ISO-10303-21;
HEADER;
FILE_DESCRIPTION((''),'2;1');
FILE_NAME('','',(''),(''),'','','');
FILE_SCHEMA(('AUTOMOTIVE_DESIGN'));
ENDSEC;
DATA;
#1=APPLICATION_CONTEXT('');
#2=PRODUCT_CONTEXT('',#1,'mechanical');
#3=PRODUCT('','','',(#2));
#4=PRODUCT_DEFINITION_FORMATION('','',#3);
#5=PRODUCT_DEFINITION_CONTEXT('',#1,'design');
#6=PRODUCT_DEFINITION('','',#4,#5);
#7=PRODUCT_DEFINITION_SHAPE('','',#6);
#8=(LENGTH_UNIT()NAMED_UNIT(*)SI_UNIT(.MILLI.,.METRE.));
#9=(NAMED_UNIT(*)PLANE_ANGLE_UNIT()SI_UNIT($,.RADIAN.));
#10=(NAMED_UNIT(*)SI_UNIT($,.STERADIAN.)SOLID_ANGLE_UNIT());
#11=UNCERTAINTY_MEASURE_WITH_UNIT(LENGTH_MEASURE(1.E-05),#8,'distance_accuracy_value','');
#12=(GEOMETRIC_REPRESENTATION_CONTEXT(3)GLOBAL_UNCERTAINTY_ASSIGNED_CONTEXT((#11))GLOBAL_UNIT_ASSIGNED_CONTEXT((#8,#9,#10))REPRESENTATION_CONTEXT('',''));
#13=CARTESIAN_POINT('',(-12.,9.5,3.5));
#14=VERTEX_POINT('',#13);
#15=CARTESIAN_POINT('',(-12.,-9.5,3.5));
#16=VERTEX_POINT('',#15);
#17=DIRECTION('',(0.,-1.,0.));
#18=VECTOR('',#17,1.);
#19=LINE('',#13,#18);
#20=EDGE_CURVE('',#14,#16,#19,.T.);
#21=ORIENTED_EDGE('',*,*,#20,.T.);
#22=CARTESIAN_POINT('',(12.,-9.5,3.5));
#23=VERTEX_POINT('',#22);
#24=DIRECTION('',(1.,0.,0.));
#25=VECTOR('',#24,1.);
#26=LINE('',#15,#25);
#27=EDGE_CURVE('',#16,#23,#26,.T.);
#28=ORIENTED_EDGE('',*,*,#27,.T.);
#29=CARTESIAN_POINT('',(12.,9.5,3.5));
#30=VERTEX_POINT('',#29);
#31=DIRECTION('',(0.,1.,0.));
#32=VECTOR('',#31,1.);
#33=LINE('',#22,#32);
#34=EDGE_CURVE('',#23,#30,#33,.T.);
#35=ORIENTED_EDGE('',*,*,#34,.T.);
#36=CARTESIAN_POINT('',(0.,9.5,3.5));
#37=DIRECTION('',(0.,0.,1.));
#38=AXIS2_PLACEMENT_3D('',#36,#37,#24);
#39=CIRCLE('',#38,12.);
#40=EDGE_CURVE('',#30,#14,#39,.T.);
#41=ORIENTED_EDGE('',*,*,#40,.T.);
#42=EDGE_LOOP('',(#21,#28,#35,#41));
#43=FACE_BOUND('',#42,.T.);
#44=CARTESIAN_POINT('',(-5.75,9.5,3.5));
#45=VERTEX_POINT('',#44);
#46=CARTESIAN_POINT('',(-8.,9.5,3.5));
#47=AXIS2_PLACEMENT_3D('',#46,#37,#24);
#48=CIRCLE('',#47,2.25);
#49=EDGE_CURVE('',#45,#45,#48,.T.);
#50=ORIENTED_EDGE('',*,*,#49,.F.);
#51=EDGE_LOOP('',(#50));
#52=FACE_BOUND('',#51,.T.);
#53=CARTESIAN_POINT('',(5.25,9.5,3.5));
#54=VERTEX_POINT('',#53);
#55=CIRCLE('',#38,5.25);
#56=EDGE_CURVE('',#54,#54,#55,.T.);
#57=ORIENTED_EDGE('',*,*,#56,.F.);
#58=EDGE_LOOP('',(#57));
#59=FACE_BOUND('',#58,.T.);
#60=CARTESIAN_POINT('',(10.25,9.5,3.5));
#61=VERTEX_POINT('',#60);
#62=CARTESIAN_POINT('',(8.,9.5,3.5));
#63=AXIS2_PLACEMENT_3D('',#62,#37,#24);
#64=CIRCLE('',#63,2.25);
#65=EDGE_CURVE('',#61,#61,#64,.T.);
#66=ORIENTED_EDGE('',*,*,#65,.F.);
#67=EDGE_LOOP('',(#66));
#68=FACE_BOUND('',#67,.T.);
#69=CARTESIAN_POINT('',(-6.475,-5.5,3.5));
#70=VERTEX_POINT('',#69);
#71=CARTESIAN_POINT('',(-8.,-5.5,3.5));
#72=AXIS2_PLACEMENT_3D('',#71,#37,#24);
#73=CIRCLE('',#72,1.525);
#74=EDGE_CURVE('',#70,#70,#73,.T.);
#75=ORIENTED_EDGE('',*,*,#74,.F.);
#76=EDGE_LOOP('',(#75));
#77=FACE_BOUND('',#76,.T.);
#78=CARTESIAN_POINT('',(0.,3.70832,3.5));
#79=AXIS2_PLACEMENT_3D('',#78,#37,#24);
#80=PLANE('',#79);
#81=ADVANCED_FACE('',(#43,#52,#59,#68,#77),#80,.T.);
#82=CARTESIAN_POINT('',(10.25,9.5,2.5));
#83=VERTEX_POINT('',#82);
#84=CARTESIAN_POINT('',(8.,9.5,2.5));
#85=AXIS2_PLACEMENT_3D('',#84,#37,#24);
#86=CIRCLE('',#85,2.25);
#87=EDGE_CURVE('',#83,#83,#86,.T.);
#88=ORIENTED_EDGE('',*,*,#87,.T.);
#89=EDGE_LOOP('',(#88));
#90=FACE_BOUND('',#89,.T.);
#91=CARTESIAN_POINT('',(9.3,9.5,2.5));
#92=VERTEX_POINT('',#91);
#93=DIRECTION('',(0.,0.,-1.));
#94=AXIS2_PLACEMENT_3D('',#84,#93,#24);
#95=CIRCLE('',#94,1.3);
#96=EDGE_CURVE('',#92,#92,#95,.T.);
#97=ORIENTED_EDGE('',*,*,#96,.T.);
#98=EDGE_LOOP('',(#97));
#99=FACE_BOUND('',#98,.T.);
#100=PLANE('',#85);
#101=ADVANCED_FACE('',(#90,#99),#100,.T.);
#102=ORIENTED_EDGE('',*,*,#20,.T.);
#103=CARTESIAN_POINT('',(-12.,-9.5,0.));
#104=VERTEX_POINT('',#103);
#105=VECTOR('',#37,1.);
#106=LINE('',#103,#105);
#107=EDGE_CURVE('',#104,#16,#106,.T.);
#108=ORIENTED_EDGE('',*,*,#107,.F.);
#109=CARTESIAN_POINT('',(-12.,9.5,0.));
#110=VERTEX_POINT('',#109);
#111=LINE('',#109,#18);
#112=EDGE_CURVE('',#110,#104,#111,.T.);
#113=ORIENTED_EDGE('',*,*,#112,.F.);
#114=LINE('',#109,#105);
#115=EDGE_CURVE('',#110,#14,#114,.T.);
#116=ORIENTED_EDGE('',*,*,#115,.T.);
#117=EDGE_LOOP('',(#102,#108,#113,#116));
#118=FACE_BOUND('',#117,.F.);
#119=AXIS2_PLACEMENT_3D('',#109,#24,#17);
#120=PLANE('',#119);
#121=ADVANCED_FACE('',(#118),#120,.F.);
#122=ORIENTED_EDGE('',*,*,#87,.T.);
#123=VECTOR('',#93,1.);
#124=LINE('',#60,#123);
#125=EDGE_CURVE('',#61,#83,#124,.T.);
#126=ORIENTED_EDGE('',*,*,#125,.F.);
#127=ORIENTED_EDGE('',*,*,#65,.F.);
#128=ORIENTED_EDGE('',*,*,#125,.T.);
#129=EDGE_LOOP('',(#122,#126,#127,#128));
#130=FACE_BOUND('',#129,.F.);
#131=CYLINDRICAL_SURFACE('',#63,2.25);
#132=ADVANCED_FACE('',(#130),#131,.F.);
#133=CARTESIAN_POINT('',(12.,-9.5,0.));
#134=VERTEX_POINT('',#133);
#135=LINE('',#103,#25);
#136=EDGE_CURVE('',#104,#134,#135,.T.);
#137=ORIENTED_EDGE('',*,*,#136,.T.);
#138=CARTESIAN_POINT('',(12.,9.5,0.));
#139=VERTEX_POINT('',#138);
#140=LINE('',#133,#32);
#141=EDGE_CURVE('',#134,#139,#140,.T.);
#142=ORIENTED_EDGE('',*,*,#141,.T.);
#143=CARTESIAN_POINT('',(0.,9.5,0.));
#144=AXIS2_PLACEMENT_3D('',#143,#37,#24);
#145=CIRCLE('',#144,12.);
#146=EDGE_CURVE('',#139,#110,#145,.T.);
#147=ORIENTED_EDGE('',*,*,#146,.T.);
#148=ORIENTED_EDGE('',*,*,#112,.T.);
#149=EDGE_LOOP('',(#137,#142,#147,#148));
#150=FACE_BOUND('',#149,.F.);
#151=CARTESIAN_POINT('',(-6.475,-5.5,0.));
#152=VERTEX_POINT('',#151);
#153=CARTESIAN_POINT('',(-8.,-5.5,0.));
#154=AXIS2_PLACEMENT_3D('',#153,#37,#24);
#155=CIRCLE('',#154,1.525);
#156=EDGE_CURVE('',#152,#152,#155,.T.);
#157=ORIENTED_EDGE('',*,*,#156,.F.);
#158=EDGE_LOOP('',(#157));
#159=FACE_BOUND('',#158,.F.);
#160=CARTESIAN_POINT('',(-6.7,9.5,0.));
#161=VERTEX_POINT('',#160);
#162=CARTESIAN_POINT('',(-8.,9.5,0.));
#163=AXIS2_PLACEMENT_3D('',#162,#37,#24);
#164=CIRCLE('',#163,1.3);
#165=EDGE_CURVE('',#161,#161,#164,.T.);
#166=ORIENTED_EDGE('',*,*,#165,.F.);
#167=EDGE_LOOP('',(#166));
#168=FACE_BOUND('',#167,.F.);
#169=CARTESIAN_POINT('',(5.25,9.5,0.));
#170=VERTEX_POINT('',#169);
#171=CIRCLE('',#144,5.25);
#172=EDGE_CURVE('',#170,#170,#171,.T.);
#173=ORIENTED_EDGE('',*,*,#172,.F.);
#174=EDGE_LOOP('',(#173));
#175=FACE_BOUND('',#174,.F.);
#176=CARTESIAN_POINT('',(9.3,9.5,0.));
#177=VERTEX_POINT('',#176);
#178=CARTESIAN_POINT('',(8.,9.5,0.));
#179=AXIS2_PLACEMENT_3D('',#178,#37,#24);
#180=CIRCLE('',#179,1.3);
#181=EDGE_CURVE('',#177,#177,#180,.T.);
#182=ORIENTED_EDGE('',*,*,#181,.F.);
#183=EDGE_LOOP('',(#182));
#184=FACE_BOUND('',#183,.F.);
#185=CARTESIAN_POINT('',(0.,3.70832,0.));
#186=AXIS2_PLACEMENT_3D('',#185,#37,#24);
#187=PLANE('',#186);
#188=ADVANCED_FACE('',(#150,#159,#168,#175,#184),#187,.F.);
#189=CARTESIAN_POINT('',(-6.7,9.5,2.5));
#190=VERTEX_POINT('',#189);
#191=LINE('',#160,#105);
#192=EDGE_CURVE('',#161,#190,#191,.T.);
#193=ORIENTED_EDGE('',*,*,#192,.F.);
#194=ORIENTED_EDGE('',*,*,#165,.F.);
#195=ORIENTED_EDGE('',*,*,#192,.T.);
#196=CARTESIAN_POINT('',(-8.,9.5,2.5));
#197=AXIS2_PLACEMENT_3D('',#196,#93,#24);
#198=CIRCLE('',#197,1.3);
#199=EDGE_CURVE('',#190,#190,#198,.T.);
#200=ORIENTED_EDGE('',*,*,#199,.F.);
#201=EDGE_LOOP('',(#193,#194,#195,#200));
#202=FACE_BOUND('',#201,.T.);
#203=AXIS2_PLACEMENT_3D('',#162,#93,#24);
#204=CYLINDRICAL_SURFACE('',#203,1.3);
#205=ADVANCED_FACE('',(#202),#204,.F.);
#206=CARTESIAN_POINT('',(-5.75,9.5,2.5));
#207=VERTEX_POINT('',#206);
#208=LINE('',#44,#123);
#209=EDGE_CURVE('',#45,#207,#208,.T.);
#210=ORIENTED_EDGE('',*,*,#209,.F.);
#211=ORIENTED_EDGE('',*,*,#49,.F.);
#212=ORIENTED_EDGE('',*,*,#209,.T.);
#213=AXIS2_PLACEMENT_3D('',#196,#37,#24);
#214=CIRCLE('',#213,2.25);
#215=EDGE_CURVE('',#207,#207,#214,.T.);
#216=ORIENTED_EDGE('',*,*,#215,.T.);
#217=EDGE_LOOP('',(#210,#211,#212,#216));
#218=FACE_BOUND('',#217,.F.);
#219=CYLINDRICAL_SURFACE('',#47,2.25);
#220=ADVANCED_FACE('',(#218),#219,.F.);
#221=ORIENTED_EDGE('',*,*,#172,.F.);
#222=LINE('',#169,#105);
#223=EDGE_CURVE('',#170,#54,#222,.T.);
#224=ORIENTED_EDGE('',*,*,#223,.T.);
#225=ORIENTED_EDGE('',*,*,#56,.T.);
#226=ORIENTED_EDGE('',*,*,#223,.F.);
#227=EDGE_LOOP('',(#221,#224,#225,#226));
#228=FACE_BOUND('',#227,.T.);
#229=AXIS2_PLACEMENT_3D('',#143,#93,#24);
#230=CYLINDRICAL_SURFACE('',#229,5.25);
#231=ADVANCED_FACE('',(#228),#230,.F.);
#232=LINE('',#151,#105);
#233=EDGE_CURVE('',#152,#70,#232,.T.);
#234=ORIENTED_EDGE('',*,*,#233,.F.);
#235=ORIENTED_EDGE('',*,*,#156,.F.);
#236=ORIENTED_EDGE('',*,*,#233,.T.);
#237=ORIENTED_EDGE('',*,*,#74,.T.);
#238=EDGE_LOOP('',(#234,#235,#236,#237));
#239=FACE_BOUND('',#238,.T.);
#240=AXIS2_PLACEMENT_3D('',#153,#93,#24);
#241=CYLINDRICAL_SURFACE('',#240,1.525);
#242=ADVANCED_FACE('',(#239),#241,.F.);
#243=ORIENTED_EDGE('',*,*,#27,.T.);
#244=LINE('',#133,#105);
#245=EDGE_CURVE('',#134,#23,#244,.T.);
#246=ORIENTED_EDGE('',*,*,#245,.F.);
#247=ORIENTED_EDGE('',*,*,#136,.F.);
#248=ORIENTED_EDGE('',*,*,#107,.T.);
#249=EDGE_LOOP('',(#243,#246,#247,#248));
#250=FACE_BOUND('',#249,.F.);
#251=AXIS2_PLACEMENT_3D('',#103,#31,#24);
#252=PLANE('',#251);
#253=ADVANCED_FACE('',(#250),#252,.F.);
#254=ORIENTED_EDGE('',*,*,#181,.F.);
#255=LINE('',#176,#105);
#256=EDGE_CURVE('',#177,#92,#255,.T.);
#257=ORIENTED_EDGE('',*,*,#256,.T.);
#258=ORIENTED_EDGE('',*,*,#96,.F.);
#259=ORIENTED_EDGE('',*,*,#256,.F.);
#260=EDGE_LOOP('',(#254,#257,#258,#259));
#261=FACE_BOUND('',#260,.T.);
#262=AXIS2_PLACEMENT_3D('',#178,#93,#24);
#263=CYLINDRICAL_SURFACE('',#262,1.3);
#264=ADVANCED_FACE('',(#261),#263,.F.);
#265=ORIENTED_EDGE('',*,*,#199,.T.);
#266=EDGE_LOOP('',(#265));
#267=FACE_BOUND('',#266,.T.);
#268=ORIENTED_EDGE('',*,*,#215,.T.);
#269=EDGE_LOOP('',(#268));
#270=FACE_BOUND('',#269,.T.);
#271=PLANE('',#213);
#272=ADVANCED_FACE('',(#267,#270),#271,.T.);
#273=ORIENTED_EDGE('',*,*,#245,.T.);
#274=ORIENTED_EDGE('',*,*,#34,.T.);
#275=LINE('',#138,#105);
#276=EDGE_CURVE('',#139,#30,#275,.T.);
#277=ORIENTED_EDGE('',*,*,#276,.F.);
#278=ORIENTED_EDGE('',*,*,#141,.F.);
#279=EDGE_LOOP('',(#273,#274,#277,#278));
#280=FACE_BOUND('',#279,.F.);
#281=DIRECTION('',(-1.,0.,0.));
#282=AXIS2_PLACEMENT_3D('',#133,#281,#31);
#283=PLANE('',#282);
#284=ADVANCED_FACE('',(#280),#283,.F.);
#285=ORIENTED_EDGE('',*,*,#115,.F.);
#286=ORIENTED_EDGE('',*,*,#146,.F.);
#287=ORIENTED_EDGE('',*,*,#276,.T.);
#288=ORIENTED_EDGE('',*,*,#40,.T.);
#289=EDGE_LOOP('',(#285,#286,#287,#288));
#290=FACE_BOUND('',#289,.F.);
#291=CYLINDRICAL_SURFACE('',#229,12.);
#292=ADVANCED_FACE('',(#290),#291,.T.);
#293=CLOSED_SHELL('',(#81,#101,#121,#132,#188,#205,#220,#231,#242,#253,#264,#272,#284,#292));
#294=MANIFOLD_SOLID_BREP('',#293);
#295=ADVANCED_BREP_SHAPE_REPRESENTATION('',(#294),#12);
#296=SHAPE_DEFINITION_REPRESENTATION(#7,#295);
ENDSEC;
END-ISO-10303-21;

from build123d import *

# Parameters (mm, degrees)
F0_R     = 1.525
F0_R_2   = 1.3
F0_R_3   = 5.25
F1_DEPTH = 3.5
F2_R     = 2.25
F3_DEPTH = 1


with BuildPart() as f1:
    # F0 (on Top) → F1 (new body)
    with BuildSketch(Plane.XY):
        with BuildLine():
            Line((-12, 9.5), (-12, -9.5))
            Line((-12, -9.5), (12, -9.5))
            Line((12, -9.5), (12, 9.5))
            ThreePointArc((12, 9.5), (0, 21.5), (-12, 9.5))
        make_face()
        with Locations((-8, -5.5)):
            Circle(F0_R, mode=Mode.SUBTRACT)
        with Locations((-8, 9.5)):
            Circle(F0_R_2, mode=Mode.SUBTRACT)
        with Locations((0, 9.5)):
            Circle(F0_R_3, mode=Mode.SUBTRACT)
        with Locations((8, 9.5)):
            Circle(F0_R_2, mode=Mode.SUBTRACT)
    extrude(amount=F1_DEPTH)

    # F2 (on face) → F3 (cut)
    with BuildSketch(Plane.XY.offset(3.5)):
        with Locations((-8, 9.5)):
            Circle(F2_R)
        with Locations((8, 9.5)):
            Circle(F2_R)
    extrude(amount=-F3_DEPTH, mode=Mode.SUBTRACT)


solid = f1.part
